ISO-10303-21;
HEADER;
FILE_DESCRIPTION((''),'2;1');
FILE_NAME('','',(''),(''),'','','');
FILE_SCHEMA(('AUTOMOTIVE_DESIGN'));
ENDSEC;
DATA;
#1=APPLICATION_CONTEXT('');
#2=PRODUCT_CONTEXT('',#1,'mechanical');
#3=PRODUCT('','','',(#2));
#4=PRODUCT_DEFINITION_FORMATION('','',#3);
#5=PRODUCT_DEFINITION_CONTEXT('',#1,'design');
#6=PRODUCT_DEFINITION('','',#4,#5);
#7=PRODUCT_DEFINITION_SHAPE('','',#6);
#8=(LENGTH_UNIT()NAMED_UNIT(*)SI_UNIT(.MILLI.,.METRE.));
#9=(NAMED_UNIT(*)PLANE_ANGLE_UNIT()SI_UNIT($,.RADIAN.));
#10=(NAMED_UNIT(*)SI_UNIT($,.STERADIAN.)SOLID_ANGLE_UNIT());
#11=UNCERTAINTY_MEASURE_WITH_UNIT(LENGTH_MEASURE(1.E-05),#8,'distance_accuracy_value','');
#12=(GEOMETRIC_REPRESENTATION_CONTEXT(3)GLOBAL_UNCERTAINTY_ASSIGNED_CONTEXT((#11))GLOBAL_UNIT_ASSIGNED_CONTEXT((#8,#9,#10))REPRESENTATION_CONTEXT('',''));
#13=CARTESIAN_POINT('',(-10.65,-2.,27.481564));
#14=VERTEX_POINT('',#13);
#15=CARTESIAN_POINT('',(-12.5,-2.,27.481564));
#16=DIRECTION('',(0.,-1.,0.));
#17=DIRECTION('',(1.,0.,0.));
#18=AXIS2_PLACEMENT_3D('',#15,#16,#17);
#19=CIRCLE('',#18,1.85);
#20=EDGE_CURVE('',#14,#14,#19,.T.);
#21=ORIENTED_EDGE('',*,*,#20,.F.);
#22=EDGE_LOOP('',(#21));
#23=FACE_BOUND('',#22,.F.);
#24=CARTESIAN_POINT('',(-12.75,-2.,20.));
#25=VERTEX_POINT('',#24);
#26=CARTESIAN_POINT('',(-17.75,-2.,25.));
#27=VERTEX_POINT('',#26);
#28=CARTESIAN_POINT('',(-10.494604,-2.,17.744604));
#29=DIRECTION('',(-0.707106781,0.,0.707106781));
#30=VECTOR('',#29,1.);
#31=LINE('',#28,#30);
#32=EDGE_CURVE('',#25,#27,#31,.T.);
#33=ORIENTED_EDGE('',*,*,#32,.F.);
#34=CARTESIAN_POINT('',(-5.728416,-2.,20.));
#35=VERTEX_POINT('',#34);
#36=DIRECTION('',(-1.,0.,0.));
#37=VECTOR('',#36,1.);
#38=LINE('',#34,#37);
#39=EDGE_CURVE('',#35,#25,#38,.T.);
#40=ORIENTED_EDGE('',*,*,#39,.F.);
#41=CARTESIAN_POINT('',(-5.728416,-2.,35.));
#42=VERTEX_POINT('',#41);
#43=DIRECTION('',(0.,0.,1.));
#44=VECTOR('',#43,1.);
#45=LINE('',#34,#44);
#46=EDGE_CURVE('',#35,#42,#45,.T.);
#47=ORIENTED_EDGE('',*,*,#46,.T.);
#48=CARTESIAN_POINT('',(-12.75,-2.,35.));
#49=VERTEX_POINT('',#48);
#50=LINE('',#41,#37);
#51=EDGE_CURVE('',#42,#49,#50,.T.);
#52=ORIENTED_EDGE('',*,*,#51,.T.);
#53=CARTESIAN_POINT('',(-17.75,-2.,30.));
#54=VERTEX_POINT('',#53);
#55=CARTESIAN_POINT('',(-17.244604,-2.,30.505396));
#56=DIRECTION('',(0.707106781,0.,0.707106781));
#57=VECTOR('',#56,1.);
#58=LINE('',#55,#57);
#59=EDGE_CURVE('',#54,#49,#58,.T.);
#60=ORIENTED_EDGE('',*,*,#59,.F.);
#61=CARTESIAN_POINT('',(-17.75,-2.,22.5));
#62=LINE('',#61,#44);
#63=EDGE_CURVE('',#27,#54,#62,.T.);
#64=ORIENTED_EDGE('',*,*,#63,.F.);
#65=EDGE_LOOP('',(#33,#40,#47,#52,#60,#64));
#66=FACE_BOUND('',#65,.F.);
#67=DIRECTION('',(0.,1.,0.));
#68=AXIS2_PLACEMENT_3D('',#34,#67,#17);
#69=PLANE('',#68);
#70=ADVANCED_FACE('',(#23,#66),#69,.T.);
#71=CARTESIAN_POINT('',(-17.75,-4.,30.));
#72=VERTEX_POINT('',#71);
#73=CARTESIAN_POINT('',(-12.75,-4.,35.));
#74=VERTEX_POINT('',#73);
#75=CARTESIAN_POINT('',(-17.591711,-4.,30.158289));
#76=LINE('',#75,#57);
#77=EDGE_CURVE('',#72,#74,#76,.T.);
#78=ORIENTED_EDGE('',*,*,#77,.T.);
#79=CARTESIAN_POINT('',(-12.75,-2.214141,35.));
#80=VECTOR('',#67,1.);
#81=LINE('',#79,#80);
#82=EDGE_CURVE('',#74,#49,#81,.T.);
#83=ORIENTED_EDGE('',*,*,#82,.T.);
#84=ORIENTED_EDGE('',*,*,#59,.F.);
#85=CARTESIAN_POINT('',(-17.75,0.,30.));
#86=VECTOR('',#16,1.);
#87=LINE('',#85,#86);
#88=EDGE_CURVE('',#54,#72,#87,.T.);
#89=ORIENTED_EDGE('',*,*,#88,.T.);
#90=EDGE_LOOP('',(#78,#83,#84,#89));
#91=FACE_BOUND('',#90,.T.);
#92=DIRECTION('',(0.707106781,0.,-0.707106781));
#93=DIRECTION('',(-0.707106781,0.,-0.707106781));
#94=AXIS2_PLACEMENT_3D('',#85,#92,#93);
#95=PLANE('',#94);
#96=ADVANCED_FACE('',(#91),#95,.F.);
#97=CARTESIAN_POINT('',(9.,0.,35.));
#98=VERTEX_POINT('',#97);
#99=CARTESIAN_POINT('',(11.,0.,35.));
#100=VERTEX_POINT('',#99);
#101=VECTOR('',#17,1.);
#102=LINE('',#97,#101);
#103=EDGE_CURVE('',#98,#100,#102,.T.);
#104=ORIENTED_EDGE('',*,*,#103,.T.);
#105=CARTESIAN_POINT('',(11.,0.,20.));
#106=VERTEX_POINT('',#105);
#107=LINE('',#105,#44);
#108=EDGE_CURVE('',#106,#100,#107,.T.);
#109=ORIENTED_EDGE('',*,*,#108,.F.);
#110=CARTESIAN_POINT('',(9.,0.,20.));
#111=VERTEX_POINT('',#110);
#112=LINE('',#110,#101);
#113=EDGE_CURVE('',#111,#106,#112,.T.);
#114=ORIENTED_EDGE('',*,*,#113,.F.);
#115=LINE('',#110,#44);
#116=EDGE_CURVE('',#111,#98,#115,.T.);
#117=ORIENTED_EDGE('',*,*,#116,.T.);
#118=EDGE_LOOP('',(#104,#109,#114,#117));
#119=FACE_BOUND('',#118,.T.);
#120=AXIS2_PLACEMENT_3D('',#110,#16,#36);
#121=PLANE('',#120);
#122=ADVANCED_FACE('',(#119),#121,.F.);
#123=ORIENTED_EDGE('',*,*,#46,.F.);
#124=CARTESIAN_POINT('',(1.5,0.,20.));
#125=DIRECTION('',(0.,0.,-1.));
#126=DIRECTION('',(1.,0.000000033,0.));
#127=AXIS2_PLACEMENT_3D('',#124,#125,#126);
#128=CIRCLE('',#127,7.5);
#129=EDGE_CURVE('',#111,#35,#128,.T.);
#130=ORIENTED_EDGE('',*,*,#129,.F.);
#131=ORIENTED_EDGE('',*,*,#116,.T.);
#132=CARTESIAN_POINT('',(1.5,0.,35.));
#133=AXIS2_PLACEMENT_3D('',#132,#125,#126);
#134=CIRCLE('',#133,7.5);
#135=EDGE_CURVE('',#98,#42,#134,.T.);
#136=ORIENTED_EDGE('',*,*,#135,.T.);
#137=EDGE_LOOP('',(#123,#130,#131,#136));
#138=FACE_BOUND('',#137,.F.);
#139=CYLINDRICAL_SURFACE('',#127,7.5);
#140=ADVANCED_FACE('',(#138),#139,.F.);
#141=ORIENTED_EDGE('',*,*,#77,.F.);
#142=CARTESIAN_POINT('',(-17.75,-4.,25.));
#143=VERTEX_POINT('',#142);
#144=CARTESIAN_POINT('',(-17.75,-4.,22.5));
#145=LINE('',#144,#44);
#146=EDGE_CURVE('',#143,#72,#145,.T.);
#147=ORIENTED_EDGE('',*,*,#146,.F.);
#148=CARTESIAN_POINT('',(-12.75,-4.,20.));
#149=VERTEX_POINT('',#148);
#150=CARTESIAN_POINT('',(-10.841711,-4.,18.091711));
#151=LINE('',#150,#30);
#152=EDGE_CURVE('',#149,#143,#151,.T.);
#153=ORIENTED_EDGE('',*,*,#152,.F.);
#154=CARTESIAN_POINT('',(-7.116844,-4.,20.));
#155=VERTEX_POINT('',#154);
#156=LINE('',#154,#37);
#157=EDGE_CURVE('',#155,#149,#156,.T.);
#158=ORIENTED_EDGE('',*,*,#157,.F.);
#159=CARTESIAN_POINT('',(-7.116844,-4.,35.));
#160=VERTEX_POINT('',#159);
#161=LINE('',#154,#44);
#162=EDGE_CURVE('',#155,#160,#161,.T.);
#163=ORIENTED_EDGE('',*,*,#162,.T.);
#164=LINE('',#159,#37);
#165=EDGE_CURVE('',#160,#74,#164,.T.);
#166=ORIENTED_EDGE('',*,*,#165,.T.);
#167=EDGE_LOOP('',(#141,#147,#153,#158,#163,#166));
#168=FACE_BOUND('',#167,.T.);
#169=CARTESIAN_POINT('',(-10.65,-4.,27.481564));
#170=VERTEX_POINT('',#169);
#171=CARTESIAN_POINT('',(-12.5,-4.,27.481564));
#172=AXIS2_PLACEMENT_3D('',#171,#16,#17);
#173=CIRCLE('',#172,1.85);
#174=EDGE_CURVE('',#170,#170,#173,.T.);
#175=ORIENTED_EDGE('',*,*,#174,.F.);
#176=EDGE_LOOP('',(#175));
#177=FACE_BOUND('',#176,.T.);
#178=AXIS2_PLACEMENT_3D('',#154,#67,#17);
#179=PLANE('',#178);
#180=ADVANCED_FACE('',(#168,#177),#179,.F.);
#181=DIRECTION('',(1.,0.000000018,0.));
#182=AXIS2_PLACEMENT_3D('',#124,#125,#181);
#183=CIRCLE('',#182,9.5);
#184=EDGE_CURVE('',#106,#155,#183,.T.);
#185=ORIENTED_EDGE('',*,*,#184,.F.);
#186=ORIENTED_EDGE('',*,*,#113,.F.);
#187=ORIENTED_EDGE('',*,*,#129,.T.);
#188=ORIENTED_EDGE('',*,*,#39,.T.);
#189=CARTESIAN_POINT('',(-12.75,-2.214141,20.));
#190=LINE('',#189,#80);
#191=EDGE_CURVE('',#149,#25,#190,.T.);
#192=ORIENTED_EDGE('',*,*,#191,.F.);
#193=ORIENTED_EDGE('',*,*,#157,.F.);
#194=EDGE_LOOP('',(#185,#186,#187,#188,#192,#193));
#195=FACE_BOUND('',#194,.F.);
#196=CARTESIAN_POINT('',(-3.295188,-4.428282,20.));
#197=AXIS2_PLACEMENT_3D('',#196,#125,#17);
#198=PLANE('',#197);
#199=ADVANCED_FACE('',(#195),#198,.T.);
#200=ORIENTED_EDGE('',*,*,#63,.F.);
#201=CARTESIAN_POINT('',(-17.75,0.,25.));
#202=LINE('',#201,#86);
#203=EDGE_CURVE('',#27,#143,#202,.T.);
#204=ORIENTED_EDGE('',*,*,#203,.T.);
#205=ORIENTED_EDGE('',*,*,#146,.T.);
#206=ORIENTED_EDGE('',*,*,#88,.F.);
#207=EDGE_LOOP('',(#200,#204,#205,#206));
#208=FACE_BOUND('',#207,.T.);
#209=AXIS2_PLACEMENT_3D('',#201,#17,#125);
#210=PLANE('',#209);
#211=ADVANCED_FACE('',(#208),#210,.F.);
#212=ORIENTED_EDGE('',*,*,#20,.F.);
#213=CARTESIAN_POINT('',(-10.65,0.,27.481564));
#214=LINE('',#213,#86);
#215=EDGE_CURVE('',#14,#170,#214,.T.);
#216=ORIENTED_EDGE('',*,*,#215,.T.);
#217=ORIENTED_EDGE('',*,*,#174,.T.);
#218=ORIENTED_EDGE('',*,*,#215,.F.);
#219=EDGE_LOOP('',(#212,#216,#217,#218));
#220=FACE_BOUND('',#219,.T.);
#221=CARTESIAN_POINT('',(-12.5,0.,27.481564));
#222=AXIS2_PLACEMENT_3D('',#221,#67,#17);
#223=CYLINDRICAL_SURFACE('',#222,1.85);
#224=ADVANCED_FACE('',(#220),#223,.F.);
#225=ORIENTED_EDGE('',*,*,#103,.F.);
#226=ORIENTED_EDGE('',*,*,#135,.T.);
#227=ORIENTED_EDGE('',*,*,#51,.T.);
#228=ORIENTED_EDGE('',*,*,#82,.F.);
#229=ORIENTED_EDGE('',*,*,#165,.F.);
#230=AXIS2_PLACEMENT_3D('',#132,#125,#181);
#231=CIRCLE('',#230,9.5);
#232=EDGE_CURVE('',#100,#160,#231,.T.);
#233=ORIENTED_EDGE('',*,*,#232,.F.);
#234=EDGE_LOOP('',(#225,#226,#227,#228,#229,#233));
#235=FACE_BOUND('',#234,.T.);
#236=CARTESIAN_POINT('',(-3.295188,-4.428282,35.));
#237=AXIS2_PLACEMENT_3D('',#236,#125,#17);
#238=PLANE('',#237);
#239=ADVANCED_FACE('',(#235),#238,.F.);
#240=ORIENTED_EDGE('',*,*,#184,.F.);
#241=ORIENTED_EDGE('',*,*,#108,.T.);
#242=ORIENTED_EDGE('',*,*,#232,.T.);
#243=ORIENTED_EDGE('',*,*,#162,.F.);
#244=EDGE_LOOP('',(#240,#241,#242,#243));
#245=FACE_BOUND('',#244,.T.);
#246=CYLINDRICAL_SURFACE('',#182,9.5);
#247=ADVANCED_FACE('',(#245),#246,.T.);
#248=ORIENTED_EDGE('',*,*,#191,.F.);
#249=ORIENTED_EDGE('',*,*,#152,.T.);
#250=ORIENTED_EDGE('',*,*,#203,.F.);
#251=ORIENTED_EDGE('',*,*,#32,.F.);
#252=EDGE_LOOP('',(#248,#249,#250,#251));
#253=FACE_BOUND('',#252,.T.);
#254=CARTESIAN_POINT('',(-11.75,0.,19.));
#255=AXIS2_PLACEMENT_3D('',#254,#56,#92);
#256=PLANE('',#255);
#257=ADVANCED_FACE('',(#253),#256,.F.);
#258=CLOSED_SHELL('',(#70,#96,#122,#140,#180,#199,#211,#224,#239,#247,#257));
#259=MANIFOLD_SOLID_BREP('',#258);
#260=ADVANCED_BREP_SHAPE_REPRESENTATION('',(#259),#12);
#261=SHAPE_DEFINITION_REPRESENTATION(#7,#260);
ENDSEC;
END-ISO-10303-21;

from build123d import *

# Parameters (mm, degrees)
SKETCH016_R       = 1.85
EXTRUDE013_DEPTH  = 12
CYLINDER007_R     = 5
CYLINDER007_DEPTH = 1
EXTRUDE012_DEPTH  = 15


with BuildPart() as extrude013:
    # Sketch016 → Extrude013 (new body)
    with BuildSketch(Plane.XZ):
        Polygon((11.75, 36), (11.75, 19), (-13.25, 19), (-19.25, 25), (-19.25, 30), (-13.25, 36), align=None)
        with Locations((-14, 27.481564)):
            Circle(SKETCH016_R, mode=Mode.SUBTRACT)
    extrude(amount=-EXTRUDE013_DEPTH)


with BuildPart() as unprintable:
    # Cylinder007 → Cylinder007 (new body)
    with BuildSketch(Plane(origin=(-14, 18, 27.5), x_dir=(1, 0, 0), z_dir=(0, -1, 0))):
        Circle(CYLINDER007_R)
    extrude(amount=CYLINDER007_DEPTH)


with BuildPart() as body007:
    # Sketch015 → Extrude012 (new body)
    with BuildSketch(Plane.XY.offset(50)):
        with BuildLine():
            ThreePointArc((7.5, 0), (1.009178, 7.431794), (-7.228416, 2))
            Line((-7.228416, 2), (-21.228416, 2))
            Line((-21.228416, 4), (-21.228416, 2))
            Line((-8.616844, 4), (-21.228416, 4))
            ThreePointArc((9.5, 0), (2.048168, 9.276584), (-8.616844, 4))
            Line((7.5, 0), (9.5, 0))
        make_face()
    extrude(amount=EXTRUDE012_DEPTH)


with BuildPart() as body007_1:
    # Extrude012 placement: moved
    add(body007.part.moved(Location((0, 0, -30))))

    # Fusion016: union unprintable
    add(unprintable.part)

    # Common001: intersect Extrude013
    add(extrude013.part, mode=Mode.INTERSECT)


with BuildPart() as body007_2:
    # Common001 placement: moved
    add(body007_1.part.moved(Location((1.5, 0, 0))))


with BuildPart() as body007_3:
    # Clone007 placement: moved
    add(body007_2.part.moved(Location((-1.5, 0, 0))))


with BuildPart() as part_mirroring008:
    # Part__Mirroring008: instance of Body007
    add(body007_3.part.mirror(Plane(origin=(0, 0, 0), x_dir=(1, 0, 0), z_dir=(0, 1, 0))))


with BuildPart() as part_mirroring008_1:
    # Part__Mirroring008 placement: moved
    add(part_mirroring008.part.moved(Location((1.5, 0, 0))))


solid = part_mirroring008_1.part
